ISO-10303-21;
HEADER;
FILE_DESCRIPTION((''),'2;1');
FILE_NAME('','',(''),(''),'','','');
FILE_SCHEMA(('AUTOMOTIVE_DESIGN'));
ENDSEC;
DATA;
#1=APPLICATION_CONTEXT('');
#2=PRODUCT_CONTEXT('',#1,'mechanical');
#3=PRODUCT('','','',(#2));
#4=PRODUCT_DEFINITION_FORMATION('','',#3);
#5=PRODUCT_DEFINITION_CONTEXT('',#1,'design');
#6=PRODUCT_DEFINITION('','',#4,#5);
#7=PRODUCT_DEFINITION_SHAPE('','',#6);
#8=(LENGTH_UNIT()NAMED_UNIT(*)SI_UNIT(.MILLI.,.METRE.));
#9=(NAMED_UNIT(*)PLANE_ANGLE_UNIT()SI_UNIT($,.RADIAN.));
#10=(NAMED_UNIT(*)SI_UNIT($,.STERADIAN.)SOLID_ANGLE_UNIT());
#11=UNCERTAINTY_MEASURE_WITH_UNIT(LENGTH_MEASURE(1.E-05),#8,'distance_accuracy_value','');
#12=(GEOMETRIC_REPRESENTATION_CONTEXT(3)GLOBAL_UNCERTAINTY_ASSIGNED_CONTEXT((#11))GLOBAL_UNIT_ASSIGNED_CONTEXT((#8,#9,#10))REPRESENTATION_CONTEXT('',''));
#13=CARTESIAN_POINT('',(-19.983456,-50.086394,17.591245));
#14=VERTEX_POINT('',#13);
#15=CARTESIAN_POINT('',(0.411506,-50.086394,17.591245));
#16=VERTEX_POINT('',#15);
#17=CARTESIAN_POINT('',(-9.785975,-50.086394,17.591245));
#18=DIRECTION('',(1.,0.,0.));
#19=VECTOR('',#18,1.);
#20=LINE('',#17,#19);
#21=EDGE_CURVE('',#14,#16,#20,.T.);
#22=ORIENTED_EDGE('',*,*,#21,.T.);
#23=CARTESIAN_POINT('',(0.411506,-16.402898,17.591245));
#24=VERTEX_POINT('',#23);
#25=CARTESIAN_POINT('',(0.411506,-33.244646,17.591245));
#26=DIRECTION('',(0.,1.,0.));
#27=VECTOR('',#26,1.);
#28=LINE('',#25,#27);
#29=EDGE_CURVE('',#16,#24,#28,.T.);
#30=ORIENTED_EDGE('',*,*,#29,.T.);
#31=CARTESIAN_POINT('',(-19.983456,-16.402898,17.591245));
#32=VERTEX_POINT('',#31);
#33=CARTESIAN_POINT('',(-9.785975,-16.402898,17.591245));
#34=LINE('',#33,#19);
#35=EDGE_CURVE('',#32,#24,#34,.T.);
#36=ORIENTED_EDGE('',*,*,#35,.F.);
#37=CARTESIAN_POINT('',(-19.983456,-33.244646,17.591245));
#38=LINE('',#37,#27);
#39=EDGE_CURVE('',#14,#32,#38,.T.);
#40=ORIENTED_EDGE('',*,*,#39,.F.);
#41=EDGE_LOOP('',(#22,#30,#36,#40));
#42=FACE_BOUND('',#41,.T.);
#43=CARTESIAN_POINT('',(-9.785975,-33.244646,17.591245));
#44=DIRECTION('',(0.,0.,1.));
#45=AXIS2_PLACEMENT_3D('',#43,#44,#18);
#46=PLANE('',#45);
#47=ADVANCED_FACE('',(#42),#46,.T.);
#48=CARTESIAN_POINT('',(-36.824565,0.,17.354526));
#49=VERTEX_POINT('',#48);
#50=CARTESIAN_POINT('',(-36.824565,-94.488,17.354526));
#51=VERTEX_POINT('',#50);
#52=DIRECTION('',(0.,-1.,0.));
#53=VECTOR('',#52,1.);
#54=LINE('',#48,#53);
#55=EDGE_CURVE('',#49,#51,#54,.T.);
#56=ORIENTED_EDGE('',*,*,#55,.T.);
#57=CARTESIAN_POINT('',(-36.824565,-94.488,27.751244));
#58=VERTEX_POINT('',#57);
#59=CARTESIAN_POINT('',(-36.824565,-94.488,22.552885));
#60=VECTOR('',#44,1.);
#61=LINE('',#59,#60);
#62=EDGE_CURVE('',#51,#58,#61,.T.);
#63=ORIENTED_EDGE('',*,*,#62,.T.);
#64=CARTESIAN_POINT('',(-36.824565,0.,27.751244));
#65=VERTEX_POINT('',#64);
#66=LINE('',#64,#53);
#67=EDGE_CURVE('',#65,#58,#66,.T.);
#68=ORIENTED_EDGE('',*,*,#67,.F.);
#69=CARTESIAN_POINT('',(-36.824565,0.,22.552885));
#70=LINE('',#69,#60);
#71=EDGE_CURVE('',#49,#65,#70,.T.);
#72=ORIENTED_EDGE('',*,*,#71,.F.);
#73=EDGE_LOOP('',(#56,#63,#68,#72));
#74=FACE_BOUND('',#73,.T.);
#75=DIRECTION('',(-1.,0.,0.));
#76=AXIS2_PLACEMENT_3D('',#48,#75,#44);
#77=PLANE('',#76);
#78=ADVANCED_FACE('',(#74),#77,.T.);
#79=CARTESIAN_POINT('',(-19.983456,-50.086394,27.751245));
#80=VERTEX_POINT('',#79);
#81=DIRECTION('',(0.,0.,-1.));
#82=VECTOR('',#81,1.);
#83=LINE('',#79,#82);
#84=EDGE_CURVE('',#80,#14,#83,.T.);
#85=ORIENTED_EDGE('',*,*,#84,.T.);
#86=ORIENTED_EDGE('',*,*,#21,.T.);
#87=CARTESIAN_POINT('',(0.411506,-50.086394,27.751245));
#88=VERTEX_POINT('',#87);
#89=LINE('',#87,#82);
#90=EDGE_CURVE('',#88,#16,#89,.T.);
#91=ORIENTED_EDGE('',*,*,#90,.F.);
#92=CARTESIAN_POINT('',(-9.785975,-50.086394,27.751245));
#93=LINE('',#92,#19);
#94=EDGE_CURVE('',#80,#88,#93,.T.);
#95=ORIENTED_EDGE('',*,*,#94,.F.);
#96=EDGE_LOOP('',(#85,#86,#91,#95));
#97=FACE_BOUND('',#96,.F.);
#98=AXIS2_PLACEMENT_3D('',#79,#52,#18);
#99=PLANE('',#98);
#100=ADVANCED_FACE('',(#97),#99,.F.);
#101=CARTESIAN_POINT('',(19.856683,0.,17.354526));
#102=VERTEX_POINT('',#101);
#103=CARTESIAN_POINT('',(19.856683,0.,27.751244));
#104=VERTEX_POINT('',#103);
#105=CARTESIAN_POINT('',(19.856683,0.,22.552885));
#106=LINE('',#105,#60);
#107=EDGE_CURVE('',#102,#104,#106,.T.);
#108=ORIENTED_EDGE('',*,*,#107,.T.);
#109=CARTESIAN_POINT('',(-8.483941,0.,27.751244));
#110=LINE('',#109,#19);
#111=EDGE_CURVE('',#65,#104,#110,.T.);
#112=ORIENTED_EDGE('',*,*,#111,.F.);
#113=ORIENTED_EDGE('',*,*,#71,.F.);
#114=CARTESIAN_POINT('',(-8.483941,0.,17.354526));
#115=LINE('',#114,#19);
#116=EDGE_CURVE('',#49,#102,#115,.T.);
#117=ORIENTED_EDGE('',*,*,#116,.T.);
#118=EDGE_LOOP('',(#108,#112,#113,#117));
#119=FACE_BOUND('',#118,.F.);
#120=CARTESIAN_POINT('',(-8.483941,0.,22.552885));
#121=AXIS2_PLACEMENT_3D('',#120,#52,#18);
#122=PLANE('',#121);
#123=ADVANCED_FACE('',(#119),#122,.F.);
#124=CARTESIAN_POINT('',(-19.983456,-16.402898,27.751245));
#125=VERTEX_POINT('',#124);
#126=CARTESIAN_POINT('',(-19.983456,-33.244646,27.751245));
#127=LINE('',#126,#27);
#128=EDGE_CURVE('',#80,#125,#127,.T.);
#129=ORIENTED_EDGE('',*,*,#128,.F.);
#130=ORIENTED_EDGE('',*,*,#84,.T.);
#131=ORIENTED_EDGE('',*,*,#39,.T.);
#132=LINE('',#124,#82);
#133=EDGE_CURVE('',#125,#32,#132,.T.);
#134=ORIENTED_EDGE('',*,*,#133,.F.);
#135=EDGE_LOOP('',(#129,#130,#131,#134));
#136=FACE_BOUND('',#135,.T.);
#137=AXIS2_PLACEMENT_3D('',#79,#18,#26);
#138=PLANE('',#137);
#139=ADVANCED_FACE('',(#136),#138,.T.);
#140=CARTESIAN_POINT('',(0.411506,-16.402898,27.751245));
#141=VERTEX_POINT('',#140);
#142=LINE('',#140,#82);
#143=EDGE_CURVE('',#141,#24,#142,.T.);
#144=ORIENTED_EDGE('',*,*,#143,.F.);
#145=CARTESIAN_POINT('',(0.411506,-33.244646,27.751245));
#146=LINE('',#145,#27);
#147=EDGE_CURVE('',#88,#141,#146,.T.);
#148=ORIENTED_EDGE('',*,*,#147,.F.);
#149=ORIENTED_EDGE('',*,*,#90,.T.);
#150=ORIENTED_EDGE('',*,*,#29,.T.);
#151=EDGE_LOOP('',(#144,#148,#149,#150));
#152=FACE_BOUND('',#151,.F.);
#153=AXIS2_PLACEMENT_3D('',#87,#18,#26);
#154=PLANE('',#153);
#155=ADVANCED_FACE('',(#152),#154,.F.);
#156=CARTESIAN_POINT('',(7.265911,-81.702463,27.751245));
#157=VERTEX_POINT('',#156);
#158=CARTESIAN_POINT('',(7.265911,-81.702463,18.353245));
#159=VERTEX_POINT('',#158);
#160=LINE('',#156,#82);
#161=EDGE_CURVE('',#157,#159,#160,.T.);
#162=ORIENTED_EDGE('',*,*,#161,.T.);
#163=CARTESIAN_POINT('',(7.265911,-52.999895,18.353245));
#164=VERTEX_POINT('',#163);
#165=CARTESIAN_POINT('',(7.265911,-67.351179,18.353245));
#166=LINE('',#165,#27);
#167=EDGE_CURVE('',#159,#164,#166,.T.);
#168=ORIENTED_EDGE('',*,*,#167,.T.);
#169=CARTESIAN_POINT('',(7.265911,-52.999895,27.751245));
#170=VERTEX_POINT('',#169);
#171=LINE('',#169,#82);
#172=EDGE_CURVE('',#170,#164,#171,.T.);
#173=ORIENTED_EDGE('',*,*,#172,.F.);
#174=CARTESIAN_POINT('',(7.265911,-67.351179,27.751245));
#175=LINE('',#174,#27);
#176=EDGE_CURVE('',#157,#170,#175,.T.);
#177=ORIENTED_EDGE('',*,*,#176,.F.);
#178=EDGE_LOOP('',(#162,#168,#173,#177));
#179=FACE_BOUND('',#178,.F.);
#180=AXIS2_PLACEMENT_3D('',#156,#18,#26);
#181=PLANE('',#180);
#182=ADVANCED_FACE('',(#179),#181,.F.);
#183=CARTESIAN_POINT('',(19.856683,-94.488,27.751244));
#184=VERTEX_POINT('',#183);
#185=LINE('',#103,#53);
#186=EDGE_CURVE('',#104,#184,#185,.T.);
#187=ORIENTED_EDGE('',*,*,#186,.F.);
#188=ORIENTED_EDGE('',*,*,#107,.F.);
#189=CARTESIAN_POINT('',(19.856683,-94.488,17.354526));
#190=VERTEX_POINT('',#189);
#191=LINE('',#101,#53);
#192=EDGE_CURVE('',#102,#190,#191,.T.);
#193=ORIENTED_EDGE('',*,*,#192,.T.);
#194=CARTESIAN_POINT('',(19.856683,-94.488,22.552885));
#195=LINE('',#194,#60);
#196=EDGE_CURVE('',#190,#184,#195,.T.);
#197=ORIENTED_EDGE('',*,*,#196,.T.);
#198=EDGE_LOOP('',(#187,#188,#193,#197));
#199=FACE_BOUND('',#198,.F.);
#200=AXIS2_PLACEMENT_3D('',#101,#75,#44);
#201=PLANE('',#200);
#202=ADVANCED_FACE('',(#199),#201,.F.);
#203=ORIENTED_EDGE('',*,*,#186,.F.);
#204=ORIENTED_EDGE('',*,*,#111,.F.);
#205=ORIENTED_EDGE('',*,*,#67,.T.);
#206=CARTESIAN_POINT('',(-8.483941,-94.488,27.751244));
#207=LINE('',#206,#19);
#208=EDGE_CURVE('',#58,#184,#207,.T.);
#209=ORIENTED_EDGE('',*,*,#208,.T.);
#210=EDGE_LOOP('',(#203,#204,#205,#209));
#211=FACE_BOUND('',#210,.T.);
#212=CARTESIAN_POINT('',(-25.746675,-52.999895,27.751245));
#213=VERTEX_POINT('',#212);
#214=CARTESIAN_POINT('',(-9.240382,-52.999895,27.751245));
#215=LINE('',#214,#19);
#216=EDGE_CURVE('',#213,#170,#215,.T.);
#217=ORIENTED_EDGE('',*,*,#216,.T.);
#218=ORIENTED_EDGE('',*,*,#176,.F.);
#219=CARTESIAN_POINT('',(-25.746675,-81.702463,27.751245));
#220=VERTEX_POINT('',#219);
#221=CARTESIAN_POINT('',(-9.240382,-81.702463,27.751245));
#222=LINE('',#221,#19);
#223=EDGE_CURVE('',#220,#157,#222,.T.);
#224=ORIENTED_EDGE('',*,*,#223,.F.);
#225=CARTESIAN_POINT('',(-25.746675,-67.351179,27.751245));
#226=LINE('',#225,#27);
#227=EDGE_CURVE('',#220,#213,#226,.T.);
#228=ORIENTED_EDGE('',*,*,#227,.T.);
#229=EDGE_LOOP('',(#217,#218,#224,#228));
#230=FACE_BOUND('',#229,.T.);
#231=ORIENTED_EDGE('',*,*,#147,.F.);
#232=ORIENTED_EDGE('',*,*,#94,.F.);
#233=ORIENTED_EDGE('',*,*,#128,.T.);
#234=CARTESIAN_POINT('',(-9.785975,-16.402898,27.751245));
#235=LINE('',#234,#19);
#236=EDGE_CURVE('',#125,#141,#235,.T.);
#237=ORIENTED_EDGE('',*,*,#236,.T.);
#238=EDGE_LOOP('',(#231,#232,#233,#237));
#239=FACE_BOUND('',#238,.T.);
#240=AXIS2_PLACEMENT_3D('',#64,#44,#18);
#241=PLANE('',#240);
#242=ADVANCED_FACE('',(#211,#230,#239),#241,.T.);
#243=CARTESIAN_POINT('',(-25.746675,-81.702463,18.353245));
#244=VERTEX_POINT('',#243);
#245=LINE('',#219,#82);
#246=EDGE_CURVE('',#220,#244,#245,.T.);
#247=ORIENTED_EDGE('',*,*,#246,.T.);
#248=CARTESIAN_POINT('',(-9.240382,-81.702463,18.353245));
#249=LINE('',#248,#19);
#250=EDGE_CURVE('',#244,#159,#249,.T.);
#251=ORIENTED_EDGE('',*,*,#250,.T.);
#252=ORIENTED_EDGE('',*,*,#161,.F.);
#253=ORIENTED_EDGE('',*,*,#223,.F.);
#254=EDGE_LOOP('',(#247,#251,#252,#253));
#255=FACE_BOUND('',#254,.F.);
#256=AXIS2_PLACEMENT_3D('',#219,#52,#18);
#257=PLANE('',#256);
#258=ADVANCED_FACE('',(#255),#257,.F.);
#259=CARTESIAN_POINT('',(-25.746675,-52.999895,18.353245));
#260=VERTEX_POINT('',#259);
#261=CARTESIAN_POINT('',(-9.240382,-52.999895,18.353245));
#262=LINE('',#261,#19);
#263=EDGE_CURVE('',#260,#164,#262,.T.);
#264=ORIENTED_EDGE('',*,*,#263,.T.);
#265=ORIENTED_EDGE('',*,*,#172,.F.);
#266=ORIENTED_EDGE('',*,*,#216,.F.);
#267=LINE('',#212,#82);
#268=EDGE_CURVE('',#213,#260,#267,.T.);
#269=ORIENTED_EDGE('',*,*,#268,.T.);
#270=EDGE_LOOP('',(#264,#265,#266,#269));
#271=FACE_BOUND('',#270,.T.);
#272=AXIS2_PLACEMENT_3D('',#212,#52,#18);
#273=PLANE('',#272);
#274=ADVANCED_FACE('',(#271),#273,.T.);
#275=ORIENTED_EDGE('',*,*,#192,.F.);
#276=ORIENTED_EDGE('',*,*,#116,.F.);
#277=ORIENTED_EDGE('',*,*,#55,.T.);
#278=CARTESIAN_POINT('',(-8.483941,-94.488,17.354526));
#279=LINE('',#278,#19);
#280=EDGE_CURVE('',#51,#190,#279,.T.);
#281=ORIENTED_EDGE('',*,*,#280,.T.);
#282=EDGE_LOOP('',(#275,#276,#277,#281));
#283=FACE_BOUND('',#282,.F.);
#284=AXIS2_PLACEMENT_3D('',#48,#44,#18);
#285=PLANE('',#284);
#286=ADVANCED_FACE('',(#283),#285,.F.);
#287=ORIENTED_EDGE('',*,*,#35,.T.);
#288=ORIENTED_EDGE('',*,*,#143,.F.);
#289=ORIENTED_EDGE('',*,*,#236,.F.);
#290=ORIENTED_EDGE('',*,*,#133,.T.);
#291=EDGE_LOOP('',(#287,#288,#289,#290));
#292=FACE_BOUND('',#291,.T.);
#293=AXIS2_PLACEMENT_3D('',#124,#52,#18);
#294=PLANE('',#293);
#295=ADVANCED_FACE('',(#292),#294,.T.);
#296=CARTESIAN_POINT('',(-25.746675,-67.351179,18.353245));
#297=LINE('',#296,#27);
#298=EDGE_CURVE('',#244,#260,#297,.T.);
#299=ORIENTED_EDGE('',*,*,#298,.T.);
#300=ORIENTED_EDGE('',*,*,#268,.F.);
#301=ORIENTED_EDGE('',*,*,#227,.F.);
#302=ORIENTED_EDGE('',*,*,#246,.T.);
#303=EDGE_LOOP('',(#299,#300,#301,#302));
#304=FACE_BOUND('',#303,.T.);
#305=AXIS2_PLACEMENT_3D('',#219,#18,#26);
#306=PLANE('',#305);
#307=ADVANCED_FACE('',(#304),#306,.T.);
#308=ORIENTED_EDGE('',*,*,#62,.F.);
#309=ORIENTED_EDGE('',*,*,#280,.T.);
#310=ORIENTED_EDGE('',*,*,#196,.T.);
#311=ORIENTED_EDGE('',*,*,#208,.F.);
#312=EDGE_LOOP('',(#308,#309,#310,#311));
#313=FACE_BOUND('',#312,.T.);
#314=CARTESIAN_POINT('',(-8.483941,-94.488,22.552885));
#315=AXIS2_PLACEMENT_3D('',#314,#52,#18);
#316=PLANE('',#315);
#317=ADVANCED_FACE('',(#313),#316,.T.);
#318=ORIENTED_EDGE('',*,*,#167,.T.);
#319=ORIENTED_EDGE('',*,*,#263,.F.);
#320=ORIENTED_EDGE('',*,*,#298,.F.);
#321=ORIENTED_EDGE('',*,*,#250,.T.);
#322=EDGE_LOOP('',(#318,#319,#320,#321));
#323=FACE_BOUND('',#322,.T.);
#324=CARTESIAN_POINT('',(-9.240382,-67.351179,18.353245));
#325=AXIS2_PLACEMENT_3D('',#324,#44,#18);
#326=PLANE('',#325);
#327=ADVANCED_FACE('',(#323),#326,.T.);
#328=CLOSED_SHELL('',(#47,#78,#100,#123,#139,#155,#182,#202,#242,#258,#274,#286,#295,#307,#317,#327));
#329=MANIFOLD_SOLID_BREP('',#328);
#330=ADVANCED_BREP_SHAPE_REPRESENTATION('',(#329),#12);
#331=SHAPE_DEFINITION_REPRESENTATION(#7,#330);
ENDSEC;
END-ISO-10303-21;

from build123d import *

# Parameters (mm, degrees)
F0_W     = 56.681249
F0_H     = 10.396719
F1_DEPTH = 94.488
F2_W     = 31.195983
F2_H     = 31.680895
F3_DEPTH = 2.54
F4_W     = 20.394963
F4_H     = 33.683496
F5_DEPTH = 10.16
F6_W     = 33.012585
F6_H     = 28.702568
F7_DEPTH = 9.398


with BuildPart() as f1:
    # F0 (on Front) → F1 (new body)
    with BuildSketch(Plane.XZ):
        with Locations((-8.483941, 22.552885)):
            Rectangle(F0_W, F0_H)
    extrude(amount=F1_DEPTH)

    # F2 (on face) → F3 (join)
    with BuildSketch(Plane.XY.offset(27.751245)):
        with Locations((-9.093156, -17.717516)):
            Rectangle(F2_W, F2_H)
    extrude(amount=-F3_DEPTH)

    # F4 (on face) → F5 (cut)
    with BuildSketch(Plane.XY.offset(27.751245)):
        with Locations((-9.785975, -33.244646)):
            Rectangle(F4_W, F4_H)
    extrude(amount=-F5_DEPTH, mode=Mode.SUBTRACT)

    # F6 (on face) → F7 (cut)
    with BuildSketch(Plane.XY.offset(27.751245)):
        with Locations((-9.240382, -67.351179)):
            Rectangle(F6_W, F6_H)
    extrude(amount=-F7_DEPTH, mode=Mode.SUBTRACT)


solid = f1.part
